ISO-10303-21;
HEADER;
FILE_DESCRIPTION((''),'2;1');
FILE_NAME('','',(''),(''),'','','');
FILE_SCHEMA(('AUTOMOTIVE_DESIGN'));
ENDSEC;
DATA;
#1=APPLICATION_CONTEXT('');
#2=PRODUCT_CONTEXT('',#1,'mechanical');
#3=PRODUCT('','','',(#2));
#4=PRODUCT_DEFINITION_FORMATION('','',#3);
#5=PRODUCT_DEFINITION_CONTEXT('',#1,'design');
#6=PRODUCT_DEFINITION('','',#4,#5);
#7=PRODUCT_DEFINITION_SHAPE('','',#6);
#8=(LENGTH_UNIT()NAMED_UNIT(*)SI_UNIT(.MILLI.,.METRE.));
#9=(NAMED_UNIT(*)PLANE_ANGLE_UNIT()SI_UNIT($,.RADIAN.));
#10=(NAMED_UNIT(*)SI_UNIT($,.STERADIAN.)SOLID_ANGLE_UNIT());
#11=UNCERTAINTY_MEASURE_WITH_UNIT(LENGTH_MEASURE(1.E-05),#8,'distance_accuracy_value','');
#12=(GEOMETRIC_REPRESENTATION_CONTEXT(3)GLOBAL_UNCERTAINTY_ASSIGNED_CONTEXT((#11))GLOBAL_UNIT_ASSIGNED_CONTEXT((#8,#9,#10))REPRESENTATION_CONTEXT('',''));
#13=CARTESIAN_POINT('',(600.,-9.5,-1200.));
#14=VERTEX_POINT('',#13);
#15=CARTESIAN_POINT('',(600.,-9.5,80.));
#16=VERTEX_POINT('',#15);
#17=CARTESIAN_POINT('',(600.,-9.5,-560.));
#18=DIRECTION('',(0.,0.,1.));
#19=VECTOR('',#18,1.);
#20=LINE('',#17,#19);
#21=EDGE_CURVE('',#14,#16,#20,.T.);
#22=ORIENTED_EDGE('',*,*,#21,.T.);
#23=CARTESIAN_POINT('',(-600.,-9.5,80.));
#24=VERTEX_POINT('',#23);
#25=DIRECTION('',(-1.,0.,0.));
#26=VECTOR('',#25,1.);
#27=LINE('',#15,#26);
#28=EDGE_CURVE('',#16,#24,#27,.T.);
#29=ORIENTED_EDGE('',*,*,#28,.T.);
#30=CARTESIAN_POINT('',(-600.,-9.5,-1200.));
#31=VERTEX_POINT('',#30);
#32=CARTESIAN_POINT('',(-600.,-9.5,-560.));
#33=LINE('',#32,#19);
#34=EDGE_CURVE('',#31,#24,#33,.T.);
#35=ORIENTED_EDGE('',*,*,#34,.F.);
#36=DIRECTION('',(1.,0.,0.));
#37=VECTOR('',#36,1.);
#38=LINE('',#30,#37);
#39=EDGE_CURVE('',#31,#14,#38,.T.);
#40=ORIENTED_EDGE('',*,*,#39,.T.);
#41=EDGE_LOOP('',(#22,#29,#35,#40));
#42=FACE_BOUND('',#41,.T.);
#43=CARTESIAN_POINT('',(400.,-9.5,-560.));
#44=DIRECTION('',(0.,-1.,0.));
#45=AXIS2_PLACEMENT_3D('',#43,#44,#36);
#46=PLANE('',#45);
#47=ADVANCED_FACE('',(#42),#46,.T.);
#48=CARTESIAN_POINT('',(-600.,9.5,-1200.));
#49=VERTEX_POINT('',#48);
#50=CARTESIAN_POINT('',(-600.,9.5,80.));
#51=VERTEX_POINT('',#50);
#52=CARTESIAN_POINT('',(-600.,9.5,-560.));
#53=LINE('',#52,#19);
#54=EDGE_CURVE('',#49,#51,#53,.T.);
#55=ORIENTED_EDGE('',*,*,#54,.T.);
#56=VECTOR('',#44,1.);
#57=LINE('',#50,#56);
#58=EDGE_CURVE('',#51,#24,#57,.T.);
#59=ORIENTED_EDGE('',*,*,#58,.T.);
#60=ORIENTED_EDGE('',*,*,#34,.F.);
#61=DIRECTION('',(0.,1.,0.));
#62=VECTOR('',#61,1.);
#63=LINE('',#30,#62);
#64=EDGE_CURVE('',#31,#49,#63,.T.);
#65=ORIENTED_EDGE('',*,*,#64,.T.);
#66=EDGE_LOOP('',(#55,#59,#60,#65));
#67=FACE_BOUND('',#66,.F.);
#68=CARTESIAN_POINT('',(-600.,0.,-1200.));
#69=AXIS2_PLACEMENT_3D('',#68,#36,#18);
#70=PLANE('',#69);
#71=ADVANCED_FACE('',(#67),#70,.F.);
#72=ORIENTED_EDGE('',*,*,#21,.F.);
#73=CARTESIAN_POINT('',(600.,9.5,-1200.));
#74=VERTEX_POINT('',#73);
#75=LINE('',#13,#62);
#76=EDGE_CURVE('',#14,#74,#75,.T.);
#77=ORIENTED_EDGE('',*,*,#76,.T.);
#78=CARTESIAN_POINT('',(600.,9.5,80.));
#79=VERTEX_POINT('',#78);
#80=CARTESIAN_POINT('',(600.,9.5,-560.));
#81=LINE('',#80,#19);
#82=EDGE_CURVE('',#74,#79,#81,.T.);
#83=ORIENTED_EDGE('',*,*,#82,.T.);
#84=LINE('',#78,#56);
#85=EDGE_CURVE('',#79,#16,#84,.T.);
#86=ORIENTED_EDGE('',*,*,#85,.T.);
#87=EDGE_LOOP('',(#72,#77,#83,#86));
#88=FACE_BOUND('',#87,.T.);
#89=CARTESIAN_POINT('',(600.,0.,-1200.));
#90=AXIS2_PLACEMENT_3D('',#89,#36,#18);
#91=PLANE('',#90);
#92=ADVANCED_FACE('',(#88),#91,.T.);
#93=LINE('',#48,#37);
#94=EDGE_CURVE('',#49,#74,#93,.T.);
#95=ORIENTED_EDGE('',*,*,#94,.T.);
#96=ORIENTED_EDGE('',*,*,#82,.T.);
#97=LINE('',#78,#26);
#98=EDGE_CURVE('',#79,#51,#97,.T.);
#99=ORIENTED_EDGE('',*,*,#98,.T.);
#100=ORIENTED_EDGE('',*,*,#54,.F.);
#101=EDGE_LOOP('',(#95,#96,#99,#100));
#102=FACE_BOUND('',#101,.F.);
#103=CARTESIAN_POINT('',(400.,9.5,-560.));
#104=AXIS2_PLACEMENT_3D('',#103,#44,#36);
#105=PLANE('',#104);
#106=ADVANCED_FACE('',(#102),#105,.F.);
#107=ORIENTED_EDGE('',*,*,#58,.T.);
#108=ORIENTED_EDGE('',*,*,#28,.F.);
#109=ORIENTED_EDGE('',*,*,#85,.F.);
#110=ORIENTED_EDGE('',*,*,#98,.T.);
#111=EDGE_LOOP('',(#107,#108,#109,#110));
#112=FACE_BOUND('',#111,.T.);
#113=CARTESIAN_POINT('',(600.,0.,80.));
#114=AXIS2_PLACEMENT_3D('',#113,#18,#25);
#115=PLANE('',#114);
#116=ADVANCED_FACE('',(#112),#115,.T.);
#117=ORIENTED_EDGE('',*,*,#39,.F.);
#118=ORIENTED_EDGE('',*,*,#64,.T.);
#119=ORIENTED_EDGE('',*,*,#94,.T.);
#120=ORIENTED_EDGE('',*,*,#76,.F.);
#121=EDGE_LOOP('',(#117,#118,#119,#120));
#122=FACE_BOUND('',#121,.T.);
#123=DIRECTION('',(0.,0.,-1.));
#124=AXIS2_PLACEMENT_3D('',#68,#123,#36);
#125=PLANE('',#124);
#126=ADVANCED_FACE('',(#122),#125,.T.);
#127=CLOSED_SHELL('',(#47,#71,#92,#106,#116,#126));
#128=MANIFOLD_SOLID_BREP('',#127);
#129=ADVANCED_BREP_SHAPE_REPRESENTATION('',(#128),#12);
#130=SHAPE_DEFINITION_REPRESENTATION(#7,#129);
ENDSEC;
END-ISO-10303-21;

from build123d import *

# Parameters (mm, degrees)
F0_W     = 400
F0_H     = 1280
F1_DEPTH = 9.5


with BuildPart() as f1:
    # F0 (on Front) → F1 (new body, symmetric)
    with BuildSketch(Plane.XZ):
        with Locations((400, -560)):
            Rectangle(F0_W, F0_H)
        with Locations((0, -560)):
            Rectangle(F0_W, F0_H)
        with Locations((-400, -560)):
            Rectangle(F0_W, F0_H)
    extrude(amount=F1_DEPTH, both=True)


solid = f1.part
